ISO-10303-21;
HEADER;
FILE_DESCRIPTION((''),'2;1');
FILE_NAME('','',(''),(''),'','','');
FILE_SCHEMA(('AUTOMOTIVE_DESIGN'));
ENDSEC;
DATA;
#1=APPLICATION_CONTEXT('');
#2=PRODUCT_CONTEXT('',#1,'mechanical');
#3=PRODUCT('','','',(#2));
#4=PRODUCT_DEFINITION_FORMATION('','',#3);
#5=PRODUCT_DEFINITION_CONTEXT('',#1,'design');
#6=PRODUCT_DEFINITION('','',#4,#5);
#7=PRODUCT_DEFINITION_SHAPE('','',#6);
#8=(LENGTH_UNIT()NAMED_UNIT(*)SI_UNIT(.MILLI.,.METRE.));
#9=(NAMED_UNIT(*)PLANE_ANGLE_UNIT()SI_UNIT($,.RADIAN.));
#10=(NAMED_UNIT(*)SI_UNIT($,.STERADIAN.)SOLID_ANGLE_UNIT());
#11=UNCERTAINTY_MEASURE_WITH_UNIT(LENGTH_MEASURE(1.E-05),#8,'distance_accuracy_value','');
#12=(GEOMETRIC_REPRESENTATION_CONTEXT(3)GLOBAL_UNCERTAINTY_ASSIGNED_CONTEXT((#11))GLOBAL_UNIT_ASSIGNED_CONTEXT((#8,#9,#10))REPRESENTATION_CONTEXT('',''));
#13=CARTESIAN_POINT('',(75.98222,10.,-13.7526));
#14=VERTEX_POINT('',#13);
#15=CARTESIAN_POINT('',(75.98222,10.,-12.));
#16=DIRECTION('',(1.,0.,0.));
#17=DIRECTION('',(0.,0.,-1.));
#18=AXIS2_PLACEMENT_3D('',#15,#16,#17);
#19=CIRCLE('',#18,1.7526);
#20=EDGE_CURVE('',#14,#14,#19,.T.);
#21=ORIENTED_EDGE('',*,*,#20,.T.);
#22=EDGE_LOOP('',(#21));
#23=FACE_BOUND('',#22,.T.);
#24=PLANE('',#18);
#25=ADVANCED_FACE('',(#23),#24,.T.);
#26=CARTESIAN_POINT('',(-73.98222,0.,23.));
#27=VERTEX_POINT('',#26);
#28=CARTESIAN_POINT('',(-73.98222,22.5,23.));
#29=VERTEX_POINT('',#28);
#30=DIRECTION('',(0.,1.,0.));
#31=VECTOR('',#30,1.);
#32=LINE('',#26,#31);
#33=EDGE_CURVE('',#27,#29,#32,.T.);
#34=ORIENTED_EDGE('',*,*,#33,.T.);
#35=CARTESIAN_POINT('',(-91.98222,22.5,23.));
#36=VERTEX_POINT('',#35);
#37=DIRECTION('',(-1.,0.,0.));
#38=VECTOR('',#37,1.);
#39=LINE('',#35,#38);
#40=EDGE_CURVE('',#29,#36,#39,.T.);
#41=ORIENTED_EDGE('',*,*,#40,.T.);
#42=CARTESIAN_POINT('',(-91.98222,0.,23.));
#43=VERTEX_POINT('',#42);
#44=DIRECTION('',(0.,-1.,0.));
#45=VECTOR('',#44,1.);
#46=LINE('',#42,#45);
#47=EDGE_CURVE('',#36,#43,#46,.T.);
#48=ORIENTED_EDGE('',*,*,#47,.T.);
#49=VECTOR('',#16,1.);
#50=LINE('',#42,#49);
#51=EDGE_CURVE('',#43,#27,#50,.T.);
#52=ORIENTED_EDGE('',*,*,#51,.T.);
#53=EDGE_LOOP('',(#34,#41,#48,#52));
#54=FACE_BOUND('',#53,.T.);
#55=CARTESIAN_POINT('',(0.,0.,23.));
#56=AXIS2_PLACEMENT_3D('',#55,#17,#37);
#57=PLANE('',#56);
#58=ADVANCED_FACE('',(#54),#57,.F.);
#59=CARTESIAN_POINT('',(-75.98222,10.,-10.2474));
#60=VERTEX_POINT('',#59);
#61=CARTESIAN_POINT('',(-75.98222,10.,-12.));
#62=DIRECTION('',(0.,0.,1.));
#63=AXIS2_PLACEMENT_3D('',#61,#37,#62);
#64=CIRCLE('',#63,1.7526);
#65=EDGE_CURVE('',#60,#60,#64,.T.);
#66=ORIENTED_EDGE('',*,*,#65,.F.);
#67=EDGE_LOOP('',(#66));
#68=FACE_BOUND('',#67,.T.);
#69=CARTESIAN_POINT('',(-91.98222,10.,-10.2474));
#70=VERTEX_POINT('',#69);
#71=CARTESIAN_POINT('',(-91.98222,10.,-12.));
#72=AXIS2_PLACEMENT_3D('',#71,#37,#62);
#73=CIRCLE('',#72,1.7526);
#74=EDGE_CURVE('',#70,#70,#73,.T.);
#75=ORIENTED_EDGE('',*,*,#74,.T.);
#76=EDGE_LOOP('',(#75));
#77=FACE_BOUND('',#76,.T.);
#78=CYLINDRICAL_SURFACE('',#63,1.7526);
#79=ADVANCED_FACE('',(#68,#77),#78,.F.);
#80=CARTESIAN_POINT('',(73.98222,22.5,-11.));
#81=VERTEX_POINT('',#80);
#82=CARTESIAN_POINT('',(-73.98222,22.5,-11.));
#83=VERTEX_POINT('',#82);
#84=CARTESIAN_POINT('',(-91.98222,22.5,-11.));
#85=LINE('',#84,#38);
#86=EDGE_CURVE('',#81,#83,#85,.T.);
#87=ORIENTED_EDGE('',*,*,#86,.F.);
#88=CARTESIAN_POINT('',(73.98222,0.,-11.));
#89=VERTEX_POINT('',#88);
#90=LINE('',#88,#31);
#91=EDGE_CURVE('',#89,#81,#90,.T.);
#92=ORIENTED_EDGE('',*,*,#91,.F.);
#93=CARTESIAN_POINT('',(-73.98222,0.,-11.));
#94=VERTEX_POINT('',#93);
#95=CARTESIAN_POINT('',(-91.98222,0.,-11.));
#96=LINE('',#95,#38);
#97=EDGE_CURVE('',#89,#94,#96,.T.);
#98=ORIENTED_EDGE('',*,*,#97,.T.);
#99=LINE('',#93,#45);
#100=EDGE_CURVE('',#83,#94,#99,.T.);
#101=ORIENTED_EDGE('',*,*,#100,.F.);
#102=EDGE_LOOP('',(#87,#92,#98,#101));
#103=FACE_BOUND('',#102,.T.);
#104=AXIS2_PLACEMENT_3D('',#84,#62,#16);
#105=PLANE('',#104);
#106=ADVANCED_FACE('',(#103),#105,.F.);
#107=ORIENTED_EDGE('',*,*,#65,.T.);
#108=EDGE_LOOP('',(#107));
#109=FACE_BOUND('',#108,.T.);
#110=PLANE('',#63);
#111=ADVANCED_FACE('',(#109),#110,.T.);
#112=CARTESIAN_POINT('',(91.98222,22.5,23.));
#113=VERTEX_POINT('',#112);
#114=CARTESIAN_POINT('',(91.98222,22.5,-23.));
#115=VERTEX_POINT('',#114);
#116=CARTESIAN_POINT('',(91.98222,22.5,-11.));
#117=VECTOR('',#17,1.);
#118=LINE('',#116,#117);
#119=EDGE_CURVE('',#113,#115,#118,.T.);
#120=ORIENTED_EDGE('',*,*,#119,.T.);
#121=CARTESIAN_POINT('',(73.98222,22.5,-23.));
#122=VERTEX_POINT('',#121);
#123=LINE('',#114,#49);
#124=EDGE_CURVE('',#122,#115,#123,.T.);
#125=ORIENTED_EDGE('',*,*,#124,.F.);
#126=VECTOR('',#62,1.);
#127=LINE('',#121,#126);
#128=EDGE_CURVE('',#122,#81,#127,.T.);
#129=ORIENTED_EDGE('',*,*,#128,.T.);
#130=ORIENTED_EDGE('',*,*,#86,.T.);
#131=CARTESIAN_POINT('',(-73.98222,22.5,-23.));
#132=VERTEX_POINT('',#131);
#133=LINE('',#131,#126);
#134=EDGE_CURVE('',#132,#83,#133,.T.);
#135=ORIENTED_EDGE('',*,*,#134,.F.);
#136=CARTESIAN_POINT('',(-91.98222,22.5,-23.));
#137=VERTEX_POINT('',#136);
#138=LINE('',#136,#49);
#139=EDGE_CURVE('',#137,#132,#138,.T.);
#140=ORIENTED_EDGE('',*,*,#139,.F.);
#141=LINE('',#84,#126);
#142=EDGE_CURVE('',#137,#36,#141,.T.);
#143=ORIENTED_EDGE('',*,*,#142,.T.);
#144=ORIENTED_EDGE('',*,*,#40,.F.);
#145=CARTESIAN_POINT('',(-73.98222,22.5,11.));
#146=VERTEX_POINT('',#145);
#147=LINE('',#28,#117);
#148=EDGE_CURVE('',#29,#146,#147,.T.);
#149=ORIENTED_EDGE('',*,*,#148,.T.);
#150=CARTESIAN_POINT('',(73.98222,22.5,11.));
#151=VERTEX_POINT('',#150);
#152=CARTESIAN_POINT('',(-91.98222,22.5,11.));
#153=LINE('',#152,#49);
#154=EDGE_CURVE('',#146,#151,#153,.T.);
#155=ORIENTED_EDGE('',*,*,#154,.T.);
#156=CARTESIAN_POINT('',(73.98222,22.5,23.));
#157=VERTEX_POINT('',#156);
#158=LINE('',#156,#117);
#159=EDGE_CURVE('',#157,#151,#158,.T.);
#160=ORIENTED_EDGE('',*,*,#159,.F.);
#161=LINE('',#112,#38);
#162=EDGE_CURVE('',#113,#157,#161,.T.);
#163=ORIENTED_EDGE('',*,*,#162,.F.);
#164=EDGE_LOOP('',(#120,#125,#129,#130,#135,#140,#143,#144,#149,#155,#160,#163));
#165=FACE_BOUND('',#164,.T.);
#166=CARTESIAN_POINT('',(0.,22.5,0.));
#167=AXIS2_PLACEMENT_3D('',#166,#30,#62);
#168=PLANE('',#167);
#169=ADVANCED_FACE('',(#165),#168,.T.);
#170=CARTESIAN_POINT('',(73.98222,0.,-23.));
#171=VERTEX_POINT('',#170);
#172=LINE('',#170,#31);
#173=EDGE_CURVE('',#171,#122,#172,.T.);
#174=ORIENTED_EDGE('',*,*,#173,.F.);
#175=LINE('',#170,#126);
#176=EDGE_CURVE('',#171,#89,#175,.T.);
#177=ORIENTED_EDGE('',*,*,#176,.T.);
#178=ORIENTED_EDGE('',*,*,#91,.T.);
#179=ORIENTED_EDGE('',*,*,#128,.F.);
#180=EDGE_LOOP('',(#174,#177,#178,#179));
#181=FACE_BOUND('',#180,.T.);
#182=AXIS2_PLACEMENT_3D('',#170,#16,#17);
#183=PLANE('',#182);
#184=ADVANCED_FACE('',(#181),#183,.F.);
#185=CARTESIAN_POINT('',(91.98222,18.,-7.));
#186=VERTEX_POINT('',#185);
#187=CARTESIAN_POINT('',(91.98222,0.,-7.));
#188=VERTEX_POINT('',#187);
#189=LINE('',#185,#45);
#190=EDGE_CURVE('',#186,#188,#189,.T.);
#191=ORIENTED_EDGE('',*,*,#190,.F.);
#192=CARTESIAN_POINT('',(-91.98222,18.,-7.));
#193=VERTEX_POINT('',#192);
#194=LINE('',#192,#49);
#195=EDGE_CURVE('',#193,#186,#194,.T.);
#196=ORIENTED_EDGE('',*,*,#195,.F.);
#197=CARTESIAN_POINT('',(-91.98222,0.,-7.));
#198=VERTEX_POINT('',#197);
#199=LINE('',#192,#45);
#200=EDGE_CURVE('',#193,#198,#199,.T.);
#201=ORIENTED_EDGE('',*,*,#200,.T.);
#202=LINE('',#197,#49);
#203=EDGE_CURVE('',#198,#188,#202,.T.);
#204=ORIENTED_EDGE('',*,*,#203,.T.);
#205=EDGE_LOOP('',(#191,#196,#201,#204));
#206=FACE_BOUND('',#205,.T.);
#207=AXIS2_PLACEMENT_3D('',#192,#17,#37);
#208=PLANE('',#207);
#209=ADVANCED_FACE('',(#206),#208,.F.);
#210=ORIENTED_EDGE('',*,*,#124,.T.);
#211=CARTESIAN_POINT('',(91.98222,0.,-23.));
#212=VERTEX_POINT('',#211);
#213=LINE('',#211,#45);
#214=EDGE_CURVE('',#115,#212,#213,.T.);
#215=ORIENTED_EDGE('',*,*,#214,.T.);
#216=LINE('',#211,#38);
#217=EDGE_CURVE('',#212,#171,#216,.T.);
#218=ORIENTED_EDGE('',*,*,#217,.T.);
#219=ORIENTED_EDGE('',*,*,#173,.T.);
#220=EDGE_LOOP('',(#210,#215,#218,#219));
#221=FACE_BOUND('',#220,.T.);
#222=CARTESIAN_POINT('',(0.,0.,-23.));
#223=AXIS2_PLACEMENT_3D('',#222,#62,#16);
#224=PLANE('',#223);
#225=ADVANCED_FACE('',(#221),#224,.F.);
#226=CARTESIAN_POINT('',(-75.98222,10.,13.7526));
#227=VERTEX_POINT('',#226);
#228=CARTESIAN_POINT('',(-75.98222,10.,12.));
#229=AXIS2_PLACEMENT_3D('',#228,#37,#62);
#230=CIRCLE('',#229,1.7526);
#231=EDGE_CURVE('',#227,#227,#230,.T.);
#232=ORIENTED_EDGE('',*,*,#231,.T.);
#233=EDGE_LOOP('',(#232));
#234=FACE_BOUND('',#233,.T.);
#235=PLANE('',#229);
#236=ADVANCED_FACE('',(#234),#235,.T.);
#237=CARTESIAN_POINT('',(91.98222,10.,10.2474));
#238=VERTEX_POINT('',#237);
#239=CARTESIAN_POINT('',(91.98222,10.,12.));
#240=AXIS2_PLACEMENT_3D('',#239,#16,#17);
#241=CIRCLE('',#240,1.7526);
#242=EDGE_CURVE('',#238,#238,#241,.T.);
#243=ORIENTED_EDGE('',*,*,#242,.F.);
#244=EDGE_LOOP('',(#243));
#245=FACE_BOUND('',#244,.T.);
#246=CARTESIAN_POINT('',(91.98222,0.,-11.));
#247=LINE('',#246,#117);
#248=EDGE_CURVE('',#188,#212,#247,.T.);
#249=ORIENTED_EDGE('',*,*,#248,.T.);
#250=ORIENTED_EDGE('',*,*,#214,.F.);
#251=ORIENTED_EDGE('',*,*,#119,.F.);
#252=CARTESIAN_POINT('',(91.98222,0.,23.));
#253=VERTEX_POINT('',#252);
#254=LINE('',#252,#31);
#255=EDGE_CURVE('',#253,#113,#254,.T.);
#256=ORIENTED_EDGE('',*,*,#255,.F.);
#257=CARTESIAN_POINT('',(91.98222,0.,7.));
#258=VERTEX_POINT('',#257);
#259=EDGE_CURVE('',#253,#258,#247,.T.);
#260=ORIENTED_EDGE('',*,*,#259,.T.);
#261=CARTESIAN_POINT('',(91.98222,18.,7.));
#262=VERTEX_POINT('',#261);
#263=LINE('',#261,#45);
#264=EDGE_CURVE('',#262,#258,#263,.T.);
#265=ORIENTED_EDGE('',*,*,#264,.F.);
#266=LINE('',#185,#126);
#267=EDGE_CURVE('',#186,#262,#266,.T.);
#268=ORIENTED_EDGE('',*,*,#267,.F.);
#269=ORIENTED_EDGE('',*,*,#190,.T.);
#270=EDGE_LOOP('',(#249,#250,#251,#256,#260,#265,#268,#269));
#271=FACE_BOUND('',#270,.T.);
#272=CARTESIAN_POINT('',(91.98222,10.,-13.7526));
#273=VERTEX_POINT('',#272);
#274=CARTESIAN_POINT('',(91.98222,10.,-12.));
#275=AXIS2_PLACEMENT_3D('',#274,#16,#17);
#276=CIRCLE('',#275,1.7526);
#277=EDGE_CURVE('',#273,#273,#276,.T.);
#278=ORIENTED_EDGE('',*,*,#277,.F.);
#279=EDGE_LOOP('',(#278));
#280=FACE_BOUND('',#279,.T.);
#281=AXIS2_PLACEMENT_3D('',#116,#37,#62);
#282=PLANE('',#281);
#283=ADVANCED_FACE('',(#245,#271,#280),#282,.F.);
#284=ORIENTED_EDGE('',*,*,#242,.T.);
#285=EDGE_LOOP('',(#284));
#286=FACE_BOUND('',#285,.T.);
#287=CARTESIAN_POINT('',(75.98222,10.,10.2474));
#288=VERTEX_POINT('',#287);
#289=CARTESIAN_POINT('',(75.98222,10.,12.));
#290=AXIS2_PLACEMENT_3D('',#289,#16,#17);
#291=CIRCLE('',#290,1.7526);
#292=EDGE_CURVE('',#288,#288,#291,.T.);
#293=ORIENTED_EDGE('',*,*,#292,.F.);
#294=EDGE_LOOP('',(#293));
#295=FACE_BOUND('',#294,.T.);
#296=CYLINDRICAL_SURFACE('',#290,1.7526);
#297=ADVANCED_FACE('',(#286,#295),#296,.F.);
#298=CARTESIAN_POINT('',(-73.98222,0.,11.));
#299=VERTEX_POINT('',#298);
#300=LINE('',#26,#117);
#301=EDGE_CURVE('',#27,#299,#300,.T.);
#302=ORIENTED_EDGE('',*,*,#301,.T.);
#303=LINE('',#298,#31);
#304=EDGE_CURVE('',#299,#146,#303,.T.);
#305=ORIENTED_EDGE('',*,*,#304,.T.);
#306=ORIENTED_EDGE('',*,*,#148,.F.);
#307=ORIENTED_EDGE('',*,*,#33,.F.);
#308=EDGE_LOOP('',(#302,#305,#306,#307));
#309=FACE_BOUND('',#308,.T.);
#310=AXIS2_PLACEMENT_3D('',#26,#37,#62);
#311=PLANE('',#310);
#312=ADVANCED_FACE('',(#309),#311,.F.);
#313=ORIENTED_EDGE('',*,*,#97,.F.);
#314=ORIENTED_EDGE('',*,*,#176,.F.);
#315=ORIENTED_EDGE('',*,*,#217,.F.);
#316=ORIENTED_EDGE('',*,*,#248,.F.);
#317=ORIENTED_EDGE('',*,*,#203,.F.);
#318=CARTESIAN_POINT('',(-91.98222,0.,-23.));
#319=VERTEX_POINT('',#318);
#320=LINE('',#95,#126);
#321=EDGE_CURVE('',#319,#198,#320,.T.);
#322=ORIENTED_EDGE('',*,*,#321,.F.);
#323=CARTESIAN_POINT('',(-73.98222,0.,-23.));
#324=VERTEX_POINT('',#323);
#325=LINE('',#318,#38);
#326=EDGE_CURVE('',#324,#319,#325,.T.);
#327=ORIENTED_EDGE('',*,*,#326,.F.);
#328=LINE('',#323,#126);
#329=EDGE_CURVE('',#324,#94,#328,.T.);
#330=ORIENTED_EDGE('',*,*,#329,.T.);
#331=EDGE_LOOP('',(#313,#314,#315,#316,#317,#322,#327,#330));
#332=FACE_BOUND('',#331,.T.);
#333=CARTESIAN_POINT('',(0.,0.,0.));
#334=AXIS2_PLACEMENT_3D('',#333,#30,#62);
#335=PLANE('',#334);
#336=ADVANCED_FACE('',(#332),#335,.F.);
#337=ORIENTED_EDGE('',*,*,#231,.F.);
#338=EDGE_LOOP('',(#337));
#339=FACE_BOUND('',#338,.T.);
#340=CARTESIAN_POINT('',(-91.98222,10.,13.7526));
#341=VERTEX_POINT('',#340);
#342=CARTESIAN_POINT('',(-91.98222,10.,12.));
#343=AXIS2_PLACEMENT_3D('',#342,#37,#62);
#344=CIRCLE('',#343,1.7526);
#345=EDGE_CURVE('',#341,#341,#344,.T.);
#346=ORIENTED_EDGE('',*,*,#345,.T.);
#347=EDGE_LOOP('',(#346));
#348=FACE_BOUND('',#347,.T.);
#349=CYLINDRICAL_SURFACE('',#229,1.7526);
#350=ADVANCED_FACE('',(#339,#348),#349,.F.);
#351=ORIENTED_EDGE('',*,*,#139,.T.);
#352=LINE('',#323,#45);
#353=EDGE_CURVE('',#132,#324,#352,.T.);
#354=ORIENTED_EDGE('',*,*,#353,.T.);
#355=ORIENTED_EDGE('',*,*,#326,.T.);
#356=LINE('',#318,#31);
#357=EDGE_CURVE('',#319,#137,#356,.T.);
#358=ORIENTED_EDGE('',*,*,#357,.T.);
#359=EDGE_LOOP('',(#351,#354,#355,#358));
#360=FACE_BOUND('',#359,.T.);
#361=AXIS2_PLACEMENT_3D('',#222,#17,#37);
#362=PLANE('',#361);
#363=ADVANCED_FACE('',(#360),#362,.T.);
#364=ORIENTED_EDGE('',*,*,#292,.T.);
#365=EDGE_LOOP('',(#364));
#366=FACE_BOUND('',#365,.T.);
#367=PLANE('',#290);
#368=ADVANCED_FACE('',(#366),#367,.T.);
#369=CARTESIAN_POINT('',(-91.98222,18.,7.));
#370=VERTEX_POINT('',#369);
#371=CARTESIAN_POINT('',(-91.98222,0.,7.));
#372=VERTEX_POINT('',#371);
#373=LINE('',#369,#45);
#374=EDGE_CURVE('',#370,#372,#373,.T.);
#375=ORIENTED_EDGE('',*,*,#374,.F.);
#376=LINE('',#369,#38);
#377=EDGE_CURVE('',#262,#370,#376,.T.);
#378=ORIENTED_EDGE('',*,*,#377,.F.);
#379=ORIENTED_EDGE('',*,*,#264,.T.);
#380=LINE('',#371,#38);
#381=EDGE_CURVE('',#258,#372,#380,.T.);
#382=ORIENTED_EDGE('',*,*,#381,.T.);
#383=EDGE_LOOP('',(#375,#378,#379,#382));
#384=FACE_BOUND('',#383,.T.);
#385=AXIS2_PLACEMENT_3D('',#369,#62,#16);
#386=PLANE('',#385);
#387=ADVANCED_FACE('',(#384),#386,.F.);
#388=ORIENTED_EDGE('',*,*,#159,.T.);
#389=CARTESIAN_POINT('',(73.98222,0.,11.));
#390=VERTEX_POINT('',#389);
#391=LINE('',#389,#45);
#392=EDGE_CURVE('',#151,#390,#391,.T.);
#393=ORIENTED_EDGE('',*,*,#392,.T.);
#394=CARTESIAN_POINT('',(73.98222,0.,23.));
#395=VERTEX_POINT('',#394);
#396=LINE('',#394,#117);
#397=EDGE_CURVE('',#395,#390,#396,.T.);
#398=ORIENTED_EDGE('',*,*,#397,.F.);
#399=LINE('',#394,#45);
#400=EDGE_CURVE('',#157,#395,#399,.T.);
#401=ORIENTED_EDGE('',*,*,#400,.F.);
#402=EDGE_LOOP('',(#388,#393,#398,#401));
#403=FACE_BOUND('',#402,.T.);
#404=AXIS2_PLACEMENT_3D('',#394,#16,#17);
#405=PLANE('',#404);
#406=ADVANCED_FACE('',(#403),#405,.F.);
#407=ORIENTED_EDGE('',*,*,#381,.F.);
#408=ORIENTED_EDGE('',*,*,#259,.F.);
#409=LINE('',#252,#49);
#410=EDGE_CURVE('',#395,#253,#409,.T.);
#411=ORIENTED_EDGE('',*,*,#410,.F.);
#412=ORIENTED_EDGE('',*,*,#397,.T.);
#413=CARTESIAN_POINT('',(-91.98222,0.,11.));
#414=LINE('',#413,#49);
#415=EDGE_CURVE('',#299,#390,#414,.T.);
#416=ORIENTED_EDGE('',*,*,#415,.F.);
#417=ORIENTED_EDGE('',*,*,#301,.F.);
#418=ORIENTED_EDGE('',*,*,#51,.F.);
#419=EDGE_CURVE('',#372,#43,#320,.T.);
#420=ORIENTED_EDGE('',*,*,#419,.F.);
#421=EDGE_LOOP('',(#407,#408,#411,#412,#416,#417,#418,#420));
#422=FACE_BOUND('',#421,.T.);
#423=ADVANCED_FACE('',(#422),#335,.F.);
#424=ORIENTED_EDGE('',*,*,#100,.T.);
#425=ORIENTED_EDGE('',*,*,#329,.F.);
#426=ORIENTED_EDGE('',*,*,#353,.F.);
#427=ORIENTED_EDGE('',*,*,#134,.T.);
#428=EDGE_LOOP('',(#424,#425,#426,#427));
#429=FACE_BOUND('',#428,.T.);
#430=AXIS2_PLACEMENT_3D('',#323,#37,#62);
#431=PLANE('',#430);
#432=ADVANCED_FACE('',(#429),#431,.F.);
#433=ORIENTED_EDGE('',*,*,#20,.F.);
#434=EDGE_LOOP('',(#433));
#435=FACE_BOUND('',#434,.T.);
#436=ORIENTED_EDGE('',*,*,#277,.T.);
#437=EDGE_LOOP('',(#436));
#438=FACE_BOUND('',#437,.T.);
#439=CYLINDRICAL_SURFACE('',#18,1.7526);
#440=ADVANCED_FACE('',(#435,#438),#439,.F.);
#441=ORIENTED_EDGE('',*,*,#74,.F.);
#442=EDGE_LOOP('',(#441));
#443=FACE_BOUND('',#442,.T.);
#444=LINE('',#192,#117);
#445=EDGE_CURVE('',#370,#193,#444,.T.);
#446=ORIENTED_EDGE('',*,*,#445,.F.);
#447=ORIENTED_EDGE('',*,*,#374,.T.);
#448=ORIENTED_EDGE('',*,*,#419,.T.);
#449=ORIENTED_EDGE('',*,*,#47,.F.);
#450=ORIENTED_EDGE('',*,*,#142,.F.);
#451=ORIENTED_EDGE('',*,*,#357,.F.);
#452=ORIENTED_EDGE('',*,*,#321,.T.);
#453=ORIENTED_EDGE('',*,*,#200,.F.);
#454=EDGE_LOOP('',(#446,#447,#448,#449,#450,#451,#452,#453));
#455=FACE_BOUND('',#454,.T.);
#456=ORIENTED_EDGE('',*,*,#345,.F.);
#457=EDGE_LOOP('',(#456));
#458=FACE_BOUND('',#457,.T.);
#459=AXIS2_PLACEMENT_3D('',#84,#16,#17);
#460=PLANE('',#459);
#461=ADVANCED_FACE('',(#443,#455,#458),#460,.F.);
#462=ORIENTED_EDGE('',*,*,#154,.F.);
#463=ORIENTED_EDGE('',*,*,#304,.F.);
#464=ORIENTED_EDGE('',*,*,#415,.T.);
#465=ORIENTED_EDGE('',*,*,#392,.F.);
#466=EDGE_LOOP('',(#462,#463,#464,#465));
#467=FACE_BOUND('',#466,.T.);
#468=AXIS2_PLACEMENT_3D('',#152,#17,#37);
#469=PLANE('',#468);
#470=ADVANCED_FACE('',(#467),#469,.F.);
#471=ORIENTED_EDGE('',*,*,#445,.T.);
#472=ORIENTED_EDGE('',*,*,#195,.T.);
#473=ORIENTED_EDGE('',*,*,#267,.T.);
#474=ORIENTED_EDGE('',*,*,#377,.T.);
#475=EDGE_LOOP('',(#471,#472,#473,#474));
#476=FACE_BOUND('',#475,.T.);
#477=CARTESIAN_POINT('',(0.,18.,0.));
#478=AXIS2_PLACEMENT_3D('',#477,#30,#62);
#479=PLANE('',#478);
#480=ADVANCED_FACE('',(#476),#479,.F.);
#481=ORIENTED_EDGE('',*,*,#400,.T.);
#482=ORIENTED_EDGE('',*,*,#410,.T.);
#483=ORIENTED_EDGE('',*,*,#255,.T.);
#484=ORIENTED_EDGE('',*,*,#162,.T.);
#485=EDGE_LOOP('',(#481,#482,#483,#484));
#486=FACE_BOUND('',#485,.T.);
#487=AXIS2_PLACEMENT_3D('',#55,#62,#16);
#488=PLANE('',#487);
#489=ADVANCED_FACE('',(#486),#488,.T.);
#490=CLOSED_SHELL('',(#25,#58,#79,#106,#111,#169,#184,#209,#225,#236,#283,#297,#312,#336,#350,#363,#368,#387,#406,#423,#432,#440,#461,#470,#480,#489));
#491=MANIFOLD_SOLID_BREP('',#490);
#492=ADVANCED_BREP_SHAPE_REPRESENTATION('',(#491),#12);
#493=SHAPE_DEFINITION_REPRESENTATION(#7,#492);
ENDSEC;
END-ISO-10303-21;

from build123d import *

# Parameters (mm, degrees)
SKETCH1_W           = 183.96444
SKETCH1_H           = 22
BOSS_EXTRUDE1_DEPTH = 22.5
SKETCH2_W           = 183.96444
SKETCH2_H           = 14
CUT_EXTRUDE1_DEPTH  = 18
SKETCH3_W           = 18
SKETCH3_H           = 22.5
BOSS_EXTRUDE2_DEPTH = 12
SKETCH4_W           = 18
SKETCH4_H           = 22.5
BOSS_EXTRUDE3_DEPTH = 12
SKETCH5_R           = 1.7526
CUT_EXTRUDE2_DEPTH  = 16
CUT_EXTRUDE3_START  = -16
SKETCH6_R           = 1.7526
CUT_EXTRUDE3_DEPTH  = 16


with BuildPart() as part:
    # Sketch1 → Boss-Extrude1 (new body)
    with BuildSketch(Plane(origin=(0, 0, 0), x_dir=(1, 0, 0), z_dir=(0, 1, 0))):
        Rectangle(SKETCH1_W, SKETCH1_H)
    extrude(amount=BOSS_EXTRUDE1_DEPTH)

    # Sketch2 → Cut-Extrude1 (cut)
    with BuildSketch(Plane.XZ):
        Rectangle(SKETCH2_W, SKETCH2_H)
    extrude(amount=-CUT_EXTRUDE1_DEPTH, mode=Mode.SUBTRACT)

    # Sketch3 → Boss-Extrude2 (add)
    with BuildSketch(Plane.XY.offset(11)):
        with Locations((-82.98222, 11.25)):
            Rectangle(SKETCH3_W, SKETCH3_H)
        with Locations((82.98222, 11.25)):
            Rectangle(SKETCH3_W, SKETCH3_H)
    extrude(amount=BOSS_EXTRUDE2_DEPTH)

    # Sketch4 → Boss-Extrude3 (add)
    with BuildSketch(Plane(origin=(0, 0, -11), x_dir=(-1, 0, 0), z_dir=(0, 0, -1))):
        with Locations((-82.98222, 11.25)):
            Rectangle(SKETCH4_W, SKETCH4_H)
        with Locations((82.98222, 11.25)):
            Rectangle(SKETCH4_W, SKETCH4_H)
    extrude(amount=BOSS_EXTRUDE3_DEPTH)

    # Sketch5 → Cut-Extrude2 (cut)
    with BuildSketch(Plane(origin=(91.98222, 0, 0), x_dir=(0, 0, -1), z_dir=(1, 0, 0))):
        with Locations((-12, 10)):
            Circle(SKETCH5_R)
        with Locations((12, 10)):
            Circle(SKETCH5_R)
    extrude(amount=-CUT_EXTRUDE2_DEPTH, mode=Mode.SUBTRACT)

    # Sketch6 → Cut-Extrude3 (cut)
    with BuildSketch(Plane.ZY.offset(91.98222).offset(CUT_EXTRUDE3_START)):
        with Locations(Location((-12, 10, 0), (0, 0, 180))):
            Circle(SKETCH6_R)
        with Locations(Location((12, 10, 0), (0, 0, 180))):
            Circle(SKETCH6_R)
    extrude(amount=CUT_EXTRUDE3_DEPTH, mode=Mode.SUBTRACT)


solid = part.part
